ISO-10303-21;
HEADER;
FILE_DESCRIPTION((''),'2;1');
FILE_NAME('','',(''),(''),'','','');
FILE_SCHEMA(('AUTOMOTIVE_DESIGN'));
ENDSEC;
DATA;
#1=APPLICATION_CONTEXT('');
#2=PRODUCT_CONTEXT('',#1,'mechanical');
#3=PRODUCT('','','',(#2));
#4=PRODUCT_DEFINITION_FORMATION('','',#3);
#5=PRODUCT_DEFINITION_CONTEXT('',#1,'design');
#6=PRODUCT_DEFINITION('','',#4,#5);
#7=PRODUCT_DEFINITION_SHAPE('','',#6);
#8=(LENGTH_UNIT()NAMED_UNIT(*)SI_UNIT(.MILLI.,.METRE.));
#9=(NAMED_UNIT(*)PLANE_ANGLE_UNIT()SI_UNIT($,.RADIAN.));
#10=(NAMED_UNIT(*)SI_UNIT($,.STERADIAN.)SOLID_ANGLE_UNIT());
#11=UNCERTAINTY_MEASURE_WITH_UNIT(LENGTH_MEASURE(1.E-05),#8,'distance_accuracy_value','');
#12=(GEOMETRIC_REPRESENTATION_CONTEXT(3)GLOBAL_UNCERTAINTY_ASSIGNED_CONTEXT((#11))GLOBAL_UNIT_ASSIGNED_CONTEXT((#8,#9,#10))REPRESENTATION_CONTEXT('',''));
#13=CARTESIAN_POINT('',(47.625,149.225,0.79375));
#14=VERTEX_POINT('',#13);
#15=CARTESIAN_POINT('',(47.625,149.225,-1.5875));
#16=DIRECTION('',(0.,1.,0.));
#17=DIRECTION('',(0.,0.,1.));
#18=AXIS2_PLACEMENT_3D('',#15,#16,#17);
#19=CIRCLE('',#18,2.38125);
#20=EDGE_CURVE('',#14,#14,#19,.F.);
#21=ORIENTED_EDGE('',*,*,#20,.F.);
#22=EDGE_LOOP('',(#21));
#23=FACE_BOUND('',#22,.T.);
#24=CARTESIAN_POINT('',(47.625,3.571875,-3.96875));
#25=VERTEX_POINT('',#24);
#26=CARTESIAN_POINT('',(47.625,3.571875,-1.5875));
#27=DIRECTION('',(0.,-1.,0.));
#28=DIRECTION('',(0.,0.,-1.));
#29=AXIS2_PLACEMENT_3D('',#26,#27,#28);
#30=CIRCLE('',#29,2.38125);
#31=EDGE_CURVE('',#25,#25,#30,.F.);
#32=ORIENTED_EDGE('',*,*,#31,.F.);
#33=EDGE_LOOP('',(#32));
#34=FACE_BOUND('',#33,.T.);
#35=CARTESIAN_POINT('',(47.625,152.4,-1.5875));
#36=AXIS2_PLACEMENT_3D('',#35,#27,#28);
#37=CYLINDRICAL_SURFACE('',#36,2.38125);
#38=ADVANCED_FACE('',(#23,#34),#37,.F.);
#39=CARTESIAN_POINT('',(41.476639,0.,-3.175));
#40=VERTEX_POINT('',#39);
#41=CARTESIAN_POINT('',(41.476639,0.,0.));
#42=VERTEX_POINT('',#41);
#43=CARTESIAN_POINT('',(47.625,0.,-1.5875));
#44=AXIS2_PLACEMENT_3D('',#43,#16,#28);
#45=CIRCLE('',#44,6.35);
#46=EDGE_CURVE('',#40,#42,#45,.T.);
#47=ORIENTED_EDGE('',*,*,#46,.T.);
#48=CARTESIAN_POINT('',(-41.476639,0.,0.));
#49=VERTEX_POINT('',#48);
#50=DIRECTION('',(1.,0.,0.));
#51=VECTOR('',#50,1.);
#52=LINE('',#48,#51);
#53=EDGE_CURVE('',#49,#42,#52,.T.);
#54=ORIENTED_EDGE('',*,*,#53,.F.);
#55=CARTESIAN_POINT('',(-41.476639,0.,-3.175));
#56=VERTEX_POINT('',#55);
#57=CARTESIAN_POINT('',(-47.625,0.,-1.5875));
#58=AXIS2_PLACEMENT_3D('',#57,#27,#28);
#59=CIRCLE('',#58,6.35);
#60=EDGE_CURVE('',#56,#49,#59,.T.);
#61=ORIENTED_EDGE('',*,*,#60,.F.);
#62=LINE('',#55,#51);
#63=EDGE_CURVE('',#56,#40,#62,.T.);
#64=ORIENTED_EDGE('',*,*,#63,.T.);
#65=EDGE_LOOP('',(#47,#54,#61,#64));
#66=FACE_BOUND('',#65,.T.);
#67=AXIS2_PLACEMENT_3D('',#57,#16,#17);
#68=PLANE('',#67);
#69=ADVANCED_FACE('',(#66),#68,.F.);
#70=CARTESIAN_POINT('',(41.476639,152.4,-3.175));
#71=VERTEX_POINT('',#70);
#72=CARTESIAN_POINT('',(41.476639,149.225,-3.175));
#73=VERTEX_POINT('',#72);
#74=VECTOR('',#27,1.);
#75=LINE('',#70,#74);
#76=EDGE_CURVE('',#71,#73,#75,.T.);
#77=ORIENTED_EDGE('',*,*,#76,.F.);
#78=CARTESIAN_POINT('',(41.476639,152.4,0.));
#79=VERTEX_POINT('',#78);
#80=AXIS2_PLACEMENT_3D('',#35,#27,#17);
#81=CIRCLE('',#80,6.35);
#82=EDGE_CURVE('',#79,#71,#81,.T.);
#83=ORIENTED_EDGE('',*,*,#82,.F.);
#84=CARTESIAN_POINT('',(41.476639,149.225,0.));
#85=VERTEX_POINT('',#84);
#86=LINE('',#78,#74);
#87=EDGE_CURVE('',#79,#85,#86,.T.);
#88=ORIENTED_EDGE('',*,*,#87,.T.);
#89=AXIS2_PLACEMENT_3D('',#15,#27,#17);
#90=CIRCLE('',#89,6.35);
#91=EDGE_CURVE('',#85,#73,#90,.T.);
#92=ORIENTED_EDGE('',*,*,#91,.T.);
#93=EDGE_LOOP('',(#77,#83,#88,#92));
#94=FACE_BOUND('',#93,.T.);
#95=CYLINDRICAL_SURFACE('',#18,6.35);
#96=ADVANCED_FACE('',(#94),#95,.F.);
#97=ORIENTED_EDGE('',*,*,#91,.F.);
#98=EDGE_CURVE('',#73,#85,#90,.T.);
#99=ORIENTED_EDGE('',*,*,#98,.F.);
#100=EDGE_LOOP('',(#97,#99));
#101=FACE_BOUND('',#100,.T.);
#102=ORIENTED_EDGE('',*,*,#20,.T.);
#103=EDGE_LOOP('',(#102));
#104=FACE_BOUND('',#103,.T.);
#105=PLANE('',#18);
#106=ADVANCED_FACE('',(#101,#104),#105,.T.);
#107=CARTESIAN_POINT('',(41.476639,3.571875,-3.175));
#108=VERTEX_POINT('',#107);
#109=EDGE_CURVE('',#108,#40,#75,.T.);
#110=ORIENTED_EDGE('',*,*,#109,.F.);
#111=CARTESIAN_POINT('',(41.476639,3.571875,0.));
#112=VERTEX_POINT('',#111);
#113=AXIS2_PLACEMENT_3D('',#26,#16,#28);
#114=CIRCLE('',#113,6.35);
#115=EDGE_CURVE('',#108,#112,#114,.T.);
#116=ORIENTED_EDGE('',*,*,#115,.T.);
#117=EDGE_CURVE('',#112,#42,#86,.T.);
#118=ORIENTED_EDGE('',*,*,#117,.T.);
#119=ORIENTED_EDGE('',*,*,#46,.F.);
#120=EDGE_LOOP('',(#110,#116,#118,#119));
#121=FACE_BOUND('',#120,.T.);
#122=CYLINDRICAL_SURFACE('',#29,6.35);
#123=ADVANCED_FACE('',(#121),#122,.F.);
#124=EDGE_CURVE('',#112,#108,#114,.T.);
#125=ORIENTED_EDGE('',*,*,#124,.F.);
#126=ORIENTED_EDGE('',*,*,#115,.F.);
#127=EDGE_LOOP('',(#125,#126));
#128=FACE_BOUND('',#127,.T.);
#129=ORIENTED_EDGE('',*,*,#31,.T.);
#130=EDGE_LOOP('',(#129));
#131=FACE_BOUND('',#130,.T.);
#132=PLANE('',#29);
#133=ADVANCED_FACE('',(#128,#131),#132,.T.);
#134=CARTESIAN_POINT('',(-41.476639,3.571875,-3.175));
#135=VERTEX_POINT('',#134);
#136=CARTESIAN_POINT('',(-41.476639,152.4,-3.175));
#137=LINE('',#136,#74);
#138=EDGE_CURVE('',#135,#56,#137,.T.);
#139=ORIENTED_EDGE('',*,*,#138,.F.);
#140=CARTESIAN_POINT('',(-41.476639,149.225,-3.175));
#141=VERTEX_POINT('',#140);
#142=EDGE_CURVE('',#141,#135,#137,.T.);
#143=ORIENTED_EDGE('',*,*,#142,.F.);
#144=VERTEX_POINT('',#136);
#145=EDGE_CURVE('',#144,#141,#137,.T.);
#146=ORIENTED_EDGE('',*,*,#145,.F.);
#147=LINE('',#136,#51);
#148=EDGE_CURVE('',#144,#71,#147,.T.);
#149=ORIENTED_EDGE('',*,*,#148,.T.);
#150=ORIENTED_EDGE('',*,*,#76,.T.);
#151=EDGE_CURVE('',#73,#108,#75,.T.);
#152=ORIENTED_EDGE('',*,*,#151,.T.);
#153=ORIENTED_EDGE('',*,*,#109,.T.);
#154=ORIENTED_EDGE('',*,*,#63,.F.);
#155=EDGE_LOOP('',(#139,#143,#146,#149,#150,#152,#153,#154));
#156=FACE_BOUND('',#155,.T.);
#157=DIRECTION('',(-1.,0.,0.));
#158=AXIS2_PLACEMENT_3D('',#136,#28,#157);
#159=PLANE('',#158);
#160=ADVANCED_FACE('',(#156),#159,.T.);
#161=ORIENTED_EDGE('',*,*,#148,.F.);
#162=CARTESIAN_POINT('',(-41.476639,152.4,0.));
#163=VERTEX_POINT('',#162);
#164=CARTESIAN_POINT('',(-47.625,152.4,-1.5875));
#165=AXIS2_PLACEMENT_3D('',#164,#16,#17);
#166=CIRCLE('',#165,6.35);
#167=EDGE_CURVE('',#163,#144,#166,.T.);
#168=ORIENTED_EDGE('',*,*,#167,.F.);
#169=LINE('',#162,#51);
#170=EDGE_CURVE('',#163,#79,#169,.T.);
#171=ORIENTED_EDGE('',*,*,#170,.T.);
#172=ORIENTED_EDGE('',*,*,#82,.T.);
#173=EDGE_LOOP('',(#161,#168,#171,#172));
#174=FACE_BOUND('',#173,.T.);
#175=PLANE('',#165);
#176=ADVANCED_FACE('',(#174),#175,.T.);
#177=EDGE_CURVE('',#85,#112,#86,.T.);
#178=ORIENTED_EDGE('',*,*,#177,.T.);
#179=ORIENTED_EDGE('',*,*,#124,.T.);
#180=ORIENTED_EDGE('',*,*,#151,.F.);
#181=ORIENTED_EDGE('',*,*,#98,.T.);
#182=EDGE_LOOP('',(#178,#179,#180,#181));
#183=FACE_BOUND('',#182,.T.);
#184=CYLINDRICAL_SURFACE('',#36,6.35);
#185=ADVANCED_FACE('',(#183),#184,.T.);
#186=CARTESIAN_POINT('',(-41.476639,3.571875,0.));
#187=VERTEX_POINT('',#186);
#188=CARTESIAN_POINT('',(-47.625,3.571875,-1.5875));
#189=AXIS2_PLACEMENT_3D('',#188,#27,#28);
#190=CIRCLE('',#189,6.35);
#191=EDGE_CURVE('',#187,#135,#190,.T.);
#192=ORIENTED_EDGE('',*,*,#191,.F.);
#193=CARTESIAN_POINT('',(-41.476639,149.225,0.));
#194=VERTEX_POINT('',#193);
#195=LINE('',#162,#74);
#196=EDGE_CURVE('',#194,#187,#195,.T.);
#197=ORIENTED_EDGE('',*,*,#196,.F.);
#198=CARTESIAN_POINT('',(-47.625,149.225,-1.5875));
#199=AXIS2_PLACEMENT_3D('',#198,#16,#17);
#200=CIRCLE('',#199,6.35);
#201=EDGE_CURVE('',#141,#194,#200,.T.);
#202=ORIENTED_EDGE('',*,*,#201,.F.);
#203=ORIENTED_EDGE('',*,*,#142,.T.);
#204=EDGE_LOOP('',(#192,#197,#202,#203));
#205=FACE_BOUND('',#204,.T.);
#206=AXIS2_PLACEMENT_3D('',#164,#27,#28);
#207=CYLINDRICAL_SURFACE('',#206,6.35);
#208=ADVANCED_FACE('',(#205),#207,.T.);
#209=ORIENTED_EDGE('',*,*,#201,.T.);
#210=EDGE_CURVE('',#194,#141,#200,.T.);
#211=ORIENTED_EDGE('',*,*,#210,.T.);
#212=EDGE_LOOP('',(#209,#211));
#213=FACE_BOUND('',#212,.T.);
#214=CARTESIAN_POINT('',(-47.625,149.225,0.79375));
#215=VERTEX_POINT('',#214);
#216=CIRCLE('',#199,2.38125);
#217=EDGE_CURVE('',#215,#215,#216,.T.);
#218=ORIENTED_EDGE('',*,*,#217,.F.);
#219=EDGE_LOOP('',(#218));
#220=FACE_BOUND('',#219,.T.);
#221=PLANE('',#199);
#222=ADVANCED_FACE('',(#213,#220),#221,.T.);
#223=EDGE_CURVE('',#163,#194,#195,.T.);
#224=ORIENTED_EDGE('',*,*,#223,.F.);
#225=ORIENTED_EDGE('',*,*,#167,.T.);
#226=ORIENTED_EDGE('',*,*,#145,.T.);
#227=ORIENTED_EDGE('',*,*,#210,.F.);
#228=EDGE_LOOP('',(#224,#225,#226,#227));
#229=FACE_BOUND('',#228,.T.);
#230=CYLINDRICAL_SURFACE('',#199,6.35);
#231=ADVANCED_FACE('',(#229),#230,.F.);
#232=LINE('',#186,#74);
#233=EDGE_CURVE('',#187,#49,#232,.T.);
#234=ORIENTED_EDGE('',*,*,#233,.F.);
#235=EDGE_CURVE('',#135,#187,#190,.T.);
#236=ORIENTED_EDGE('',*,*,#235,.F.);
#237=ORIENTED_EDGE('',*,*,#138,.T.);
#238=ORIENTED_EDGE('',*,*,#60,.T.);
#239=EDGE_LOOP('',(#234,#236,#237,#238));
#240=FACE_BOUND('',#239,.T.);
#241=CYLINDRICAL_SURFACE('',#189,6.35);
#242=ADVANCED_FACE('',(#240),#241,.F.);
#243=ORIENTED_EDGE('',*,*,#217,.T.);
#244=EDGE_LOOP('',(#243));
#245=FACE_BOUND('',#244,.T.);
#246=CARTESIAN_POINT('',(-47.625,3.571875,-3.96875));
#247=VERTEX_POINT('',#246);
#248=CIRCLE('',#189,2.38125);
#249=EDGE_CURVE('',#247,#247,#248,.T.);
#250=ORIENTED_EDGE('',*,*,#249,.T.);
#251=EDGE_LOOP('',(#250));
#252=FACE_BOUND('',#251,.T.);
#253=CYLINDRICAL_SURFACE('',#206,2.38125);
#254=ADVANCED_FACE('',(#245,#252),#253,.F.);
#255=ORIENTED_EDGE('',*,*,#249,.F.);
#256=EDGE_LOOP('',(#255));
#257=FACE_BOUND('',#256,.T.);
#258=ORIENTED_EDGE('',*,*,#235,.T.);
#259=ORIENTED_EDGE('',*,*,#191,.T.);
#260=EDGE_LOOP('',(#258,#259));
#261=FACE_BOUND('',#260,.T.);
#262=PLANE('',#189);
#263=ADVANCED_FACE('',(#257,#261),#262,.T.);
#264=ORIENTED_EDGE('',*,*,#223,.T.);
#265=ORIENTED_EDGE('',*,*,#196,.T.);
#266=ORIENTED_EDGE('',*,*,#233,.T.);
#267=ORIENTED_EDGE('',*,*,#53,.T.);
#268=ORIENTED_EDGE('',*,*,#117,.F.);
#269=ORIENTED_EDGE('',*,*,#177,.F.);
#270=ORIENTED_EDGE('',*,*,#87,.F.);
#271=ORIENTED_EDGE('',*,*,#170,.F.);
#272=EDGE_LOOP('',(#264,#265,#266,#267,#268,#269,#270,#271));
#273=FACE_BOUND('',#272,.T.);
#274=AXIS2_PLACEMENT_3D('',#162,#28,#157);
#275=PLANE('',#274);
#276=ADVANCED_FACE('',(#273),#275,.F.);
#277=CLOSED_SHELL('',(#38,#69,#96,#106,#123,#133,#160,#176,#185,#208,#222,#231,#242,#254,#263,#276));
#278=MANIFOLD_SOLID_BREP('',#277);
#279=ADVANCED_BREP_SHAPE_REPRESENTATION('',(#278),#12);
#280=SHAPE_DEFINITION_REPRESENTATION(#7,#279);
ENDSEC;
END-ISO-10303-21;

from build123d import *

# Parameters (mm, degrees)
SKETCH1_R           = 2.38125
BOSS_EXTRUDE1_DEPTH = 152.4
SKETCH2_R           = 6.35
CUT_EXTRUDE1_DEPTH  = 3.571875
SKETCH3_R           = 6.35
CUT_EXTRUDE3_DEPTH  = 3.175


with BuildPart() as part:
    # Sketch1 → Boss-Extrude1 (new body)
    with BuildSketch(Plane(origin=(0, 0, 0), x_dir=(1, 0, 0), z_dir=(0, 1, 0))):
        with BuildLine():
            Line((-41.476638938, 3.175), (0, 3.175))
            Line((0, 3.175), (0, 0))
            Line((0, 0), (-41.476638938, 0))
            ThreePointArc((-41.476638938, 0), (-53.975, 1.5875), (-41.476638938, 3.175))
        make_face()
        with Locations((-47.625, 1.5875)):
            Circle(SKETCH1_R, mode=Mode.SUBTRACT)
    boss_extrude1 = extrude(amount=BOSS_EXTRUDE1_DEPTH)

    # Sketch2 → Cut-Extrude1 (cut)
    with BuildSketch(Plane.XZ):
        with Locations((-47.625, -1.5875)):
            Circle(SKETCH2_R)
    cut_extrude1 = extrude(amount=-CUT_EXTRUDE1_DEPTH, mode=Mode.SUBTRACT)

    # Sketch3 → Cut-Extrude3 (cut)
    with BuildSketch(Plane(origin=(0, 152.4, 0), x_dir=(1, 0, 0), z_dir=(0, 1, 0))):
        with Locations((-47.625, 1.5875)):
            Circle(SKETCH3_R)
    cut_extrude3 = extrude(amount=-CUT_EXTRUDE3_DEPTH, mode=Mode.SUBTRACT)

    # Mirror2: Boss-Extrude1, Cut-Extrude1, Cut-Extrude3 across plane
    add(boss_extrude1.mirror(Plane(origin=(0, 152.4, -3.175), x_dir=(0, 0, 1), z_dir=(1, 0, 0))))
    add(cut_extrude1.mirror(Plane(origin=(0, 152.4, -3.175), x_dir=(0, 0, 1), z_dir=(1, 0, 0))), mode=Mode.SUBTRACT)
    add(cut_extrude3.mirror(Plane(origin=(0, 152.4, -3.175), x_dir=(0, 0, 1), z_dir=(1, 0, 0))), mode=Mode.SUBTRACT)


solid = part.part
